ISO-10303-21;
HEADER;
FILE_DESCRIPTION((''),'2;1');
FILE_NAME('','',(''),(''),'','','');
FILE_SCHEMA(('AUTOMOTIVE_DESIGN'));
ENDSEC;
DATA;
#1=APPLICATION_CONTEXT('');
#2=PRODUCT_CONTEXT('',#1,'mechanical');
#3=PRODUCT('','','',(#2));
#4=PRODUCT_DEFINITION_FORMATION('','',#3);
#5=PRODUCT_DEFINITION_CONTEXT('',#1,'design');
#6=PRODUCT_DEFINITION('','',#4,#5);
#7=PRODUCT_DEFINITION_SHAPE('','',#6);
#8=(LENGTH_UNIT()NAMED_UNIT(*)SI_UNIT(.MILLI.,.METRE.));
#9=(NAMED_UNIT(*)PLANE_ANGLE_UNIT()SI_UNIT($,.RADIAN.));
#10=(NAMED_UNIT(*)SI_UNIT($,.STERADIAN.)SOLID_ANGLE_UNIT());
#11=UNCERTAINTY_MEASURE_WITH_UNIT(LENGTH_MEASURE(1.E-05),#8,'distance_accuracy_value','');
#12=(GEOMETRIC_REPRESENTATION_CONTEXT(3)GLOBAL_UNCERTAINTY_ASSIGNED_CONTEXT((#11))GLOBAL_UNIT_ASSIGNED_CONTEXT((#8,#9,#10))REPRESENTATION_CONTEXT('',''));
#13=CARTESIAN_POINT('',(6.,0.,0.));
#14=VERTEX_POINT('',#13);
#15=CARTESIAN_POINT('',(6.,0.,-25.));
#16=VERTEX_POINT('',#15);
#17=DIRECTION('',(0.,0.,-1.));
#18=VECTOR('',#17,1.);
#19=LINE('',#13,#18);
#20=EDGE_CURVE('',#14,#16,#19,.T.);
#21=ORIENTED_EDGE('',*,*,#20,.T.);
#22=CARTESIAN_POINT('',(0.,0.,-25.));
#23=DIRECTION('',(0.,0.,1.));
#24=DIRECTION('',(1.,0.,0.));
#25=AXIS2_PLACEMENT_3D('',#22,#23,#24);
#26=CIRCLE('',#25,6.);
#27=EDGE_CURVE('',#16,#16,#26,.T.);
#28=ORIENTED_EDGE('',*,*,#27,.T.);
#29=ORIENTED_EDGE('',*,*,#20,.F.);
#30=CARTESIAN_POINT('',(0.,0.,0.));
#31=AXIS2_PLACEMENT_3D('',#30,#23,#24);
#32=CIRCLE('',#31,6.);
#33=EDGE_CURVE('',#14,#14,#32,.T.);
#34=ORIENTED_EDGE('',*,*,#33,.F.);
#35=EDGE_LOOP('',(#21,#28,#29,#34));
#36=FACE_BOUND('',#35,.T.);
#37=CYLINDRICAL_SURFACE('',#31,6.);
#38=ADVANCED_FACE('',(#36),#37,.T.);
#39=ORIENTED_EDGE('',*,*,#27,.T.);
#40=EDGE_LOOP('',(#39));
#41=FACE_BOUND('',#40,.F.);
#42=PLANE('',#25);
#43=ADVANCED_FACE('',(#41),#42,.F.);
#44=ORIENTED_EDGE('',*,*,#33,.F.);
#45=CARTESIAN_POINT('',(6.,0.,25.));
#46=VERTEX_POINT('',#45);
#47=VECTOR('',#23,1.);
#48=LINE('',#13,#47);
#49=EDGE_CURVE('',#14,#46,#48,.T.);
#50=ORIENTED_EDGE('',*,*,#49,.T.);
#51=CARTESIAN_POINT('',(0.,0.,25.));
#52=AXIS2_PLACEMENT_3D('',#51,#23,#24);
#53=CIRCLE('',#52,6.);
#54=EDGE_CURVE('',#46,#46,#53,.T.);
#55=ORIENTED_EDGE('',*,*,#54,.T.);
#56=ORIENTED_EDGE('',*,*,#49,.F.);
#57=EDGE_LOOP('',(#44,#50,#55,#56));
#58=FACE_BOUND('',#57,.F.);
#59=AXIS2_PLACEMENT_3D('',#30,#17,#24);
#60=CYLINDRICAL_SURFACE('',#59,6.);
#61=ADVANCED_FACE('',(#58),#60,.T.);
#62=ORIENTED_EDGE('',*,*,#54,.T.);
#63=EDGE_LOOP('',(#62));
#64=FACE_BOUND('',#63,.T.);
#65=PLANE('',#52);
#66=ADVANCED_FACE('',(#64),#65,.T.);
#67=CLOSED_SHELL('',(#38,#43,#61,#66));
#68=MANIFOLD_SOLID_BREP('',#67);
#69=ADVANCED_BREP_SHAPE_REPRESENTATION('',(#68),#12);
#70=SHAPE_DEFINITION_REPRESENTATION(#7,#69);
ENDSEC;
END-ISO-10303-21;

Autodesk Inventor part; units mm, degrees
ref_plane "YZ Plane" through (0, 0, 0) normal (1, 0, 0) x (0, 1, 0)
ref_plane "XZ Plane" through (0, 0, 0) normal (0, 1, 0) x (-1, 0, 0)
ref_plane "XY Plane" through (0, 0, 0) normal (0, 0, 1) x (1, 0, 0)
sketch "Sketch1" plane through (0, 0, 0) normal (0, 0, 1) x (1, 0, 0)
  circle A0 centre (0, 0) radius 6
  dimension "d0" = 12
extrude "Extrusion1" add sketch "Sketch1" along normal mid plane 50
equation "\"d0\" = Шпил_пласт_НОС_диам_шпильки"
equation "\"Шпил_пласт_НОС_диам_шпильки\" = 12"
properties part number "ДМФ 033 шпилька 3"
